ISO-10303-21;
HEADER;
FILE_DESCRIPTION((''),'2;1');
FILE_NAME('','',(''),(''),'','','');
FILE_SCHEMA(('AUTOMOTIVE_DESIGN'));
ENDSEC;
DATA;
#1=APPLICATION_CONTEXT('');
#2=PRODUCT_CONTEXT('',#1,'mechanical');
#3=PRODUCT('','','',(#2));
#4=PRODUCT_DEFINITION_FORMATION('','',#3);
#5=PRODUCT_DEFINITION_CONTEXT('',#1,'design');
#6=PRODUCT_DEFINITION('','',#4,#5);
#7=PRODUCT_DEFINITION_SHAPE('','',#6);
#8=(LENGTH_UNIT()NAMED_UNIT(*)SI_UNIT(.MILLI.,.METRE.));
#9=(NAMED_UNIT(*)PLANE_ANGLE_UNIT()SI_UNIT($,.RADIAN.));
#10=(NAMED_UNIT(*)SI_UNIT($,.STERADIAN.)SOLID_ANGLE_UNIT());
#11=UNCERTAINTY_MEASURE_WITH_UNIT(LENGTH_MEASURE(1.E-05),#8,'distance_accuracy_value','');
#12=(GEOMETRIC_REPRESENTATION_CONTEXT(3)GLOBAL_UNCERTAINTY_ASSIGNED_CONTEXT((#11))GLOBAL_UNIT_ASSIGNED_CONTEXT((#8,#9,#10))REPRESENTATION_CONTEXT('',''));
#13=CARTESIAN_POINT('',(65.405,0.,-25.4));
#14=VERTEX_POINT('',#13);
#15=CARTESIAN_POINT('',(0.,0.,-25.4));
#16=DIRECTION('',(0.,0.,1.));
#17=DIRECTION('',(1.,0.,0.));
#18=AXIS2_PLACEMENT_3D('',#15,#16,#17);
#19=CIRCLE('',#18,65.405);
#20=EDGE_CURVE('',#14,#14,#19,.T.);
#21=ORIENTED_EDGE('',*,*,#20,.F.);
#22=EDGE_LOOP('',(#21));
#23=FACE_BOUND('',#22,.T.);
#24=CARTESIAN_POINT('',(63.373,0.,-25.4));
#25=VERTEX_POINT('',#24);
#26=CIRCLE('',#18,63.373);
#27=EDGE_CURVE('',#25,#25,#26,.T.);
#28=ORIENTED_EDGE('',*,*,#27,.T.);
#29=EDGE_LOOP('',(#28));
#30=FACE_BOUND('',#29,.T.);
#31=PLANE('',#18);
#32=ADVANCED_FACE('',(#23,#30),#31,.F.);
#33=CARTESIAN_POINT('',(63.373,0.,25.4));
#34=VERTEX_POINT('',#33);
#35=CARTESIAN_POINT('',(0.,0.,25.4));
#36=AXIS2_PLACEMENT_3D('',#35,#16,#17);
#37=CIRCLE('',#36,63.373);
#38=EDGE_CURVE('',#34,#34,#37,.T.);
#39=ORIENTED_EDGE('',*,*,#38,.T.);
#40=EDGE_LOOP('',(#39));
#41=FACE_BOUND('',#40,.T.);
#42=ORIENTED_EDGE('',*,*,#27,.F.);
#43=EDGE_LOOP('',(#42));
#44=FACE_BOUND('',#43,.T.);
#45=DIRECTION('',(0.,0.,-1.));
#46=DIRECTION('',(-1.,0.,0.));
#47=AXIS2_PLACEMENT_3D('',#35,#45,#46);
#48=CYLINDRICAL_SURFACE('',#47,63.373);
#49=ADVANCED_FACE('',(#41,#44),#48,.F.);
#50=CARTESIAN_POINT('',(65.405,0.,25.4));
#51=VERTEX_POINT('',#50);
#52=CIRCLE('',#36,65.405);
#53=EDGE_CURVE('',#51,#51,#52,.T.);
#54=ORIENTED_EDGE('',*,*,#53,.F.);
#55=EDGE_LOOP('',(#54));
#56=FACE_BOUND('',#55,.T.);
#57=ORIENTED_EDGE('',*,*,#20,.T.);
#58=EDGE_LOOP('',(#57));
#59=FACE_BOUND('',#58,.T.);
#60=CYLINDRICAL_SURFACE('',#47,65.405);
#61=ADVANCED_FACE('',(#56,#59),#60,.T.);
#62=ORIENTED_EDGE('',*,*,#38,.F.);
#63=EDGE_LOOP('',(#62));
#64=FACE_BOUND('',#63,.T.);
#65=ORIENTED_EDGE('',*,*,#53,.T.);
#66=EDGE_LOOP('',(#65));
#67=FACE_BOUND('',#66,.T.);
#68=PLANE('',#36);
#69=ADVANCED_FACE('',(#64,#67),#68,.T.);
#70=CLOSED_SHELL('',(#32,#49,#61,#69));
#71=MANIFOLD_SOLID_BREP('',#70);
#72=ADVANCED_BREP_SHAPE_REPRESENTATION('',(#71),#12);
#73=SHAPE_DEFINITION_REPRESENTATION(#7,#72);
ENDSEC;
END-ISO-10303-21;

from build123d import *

# Parameters (mm, degrees)
SKETCH1_R           = 65.405
SKETCH1_R_2         = 63.373
BOSS_EXTRUDE1_DEPTH = 25.4


with BuildPart() as part:
    # Sketch1 → Boss-Extrude1 (new body, symmetric)
    with BuildSketch(Plane.XY):
        Circle(SKETCH1_R)
        Circle(SKETCH1_R_2, mode=Mode.SUBTRACT)
    extrude(amount=BOSS_EXTRUDE1_DEPTH, both=True)


solid = part.part
